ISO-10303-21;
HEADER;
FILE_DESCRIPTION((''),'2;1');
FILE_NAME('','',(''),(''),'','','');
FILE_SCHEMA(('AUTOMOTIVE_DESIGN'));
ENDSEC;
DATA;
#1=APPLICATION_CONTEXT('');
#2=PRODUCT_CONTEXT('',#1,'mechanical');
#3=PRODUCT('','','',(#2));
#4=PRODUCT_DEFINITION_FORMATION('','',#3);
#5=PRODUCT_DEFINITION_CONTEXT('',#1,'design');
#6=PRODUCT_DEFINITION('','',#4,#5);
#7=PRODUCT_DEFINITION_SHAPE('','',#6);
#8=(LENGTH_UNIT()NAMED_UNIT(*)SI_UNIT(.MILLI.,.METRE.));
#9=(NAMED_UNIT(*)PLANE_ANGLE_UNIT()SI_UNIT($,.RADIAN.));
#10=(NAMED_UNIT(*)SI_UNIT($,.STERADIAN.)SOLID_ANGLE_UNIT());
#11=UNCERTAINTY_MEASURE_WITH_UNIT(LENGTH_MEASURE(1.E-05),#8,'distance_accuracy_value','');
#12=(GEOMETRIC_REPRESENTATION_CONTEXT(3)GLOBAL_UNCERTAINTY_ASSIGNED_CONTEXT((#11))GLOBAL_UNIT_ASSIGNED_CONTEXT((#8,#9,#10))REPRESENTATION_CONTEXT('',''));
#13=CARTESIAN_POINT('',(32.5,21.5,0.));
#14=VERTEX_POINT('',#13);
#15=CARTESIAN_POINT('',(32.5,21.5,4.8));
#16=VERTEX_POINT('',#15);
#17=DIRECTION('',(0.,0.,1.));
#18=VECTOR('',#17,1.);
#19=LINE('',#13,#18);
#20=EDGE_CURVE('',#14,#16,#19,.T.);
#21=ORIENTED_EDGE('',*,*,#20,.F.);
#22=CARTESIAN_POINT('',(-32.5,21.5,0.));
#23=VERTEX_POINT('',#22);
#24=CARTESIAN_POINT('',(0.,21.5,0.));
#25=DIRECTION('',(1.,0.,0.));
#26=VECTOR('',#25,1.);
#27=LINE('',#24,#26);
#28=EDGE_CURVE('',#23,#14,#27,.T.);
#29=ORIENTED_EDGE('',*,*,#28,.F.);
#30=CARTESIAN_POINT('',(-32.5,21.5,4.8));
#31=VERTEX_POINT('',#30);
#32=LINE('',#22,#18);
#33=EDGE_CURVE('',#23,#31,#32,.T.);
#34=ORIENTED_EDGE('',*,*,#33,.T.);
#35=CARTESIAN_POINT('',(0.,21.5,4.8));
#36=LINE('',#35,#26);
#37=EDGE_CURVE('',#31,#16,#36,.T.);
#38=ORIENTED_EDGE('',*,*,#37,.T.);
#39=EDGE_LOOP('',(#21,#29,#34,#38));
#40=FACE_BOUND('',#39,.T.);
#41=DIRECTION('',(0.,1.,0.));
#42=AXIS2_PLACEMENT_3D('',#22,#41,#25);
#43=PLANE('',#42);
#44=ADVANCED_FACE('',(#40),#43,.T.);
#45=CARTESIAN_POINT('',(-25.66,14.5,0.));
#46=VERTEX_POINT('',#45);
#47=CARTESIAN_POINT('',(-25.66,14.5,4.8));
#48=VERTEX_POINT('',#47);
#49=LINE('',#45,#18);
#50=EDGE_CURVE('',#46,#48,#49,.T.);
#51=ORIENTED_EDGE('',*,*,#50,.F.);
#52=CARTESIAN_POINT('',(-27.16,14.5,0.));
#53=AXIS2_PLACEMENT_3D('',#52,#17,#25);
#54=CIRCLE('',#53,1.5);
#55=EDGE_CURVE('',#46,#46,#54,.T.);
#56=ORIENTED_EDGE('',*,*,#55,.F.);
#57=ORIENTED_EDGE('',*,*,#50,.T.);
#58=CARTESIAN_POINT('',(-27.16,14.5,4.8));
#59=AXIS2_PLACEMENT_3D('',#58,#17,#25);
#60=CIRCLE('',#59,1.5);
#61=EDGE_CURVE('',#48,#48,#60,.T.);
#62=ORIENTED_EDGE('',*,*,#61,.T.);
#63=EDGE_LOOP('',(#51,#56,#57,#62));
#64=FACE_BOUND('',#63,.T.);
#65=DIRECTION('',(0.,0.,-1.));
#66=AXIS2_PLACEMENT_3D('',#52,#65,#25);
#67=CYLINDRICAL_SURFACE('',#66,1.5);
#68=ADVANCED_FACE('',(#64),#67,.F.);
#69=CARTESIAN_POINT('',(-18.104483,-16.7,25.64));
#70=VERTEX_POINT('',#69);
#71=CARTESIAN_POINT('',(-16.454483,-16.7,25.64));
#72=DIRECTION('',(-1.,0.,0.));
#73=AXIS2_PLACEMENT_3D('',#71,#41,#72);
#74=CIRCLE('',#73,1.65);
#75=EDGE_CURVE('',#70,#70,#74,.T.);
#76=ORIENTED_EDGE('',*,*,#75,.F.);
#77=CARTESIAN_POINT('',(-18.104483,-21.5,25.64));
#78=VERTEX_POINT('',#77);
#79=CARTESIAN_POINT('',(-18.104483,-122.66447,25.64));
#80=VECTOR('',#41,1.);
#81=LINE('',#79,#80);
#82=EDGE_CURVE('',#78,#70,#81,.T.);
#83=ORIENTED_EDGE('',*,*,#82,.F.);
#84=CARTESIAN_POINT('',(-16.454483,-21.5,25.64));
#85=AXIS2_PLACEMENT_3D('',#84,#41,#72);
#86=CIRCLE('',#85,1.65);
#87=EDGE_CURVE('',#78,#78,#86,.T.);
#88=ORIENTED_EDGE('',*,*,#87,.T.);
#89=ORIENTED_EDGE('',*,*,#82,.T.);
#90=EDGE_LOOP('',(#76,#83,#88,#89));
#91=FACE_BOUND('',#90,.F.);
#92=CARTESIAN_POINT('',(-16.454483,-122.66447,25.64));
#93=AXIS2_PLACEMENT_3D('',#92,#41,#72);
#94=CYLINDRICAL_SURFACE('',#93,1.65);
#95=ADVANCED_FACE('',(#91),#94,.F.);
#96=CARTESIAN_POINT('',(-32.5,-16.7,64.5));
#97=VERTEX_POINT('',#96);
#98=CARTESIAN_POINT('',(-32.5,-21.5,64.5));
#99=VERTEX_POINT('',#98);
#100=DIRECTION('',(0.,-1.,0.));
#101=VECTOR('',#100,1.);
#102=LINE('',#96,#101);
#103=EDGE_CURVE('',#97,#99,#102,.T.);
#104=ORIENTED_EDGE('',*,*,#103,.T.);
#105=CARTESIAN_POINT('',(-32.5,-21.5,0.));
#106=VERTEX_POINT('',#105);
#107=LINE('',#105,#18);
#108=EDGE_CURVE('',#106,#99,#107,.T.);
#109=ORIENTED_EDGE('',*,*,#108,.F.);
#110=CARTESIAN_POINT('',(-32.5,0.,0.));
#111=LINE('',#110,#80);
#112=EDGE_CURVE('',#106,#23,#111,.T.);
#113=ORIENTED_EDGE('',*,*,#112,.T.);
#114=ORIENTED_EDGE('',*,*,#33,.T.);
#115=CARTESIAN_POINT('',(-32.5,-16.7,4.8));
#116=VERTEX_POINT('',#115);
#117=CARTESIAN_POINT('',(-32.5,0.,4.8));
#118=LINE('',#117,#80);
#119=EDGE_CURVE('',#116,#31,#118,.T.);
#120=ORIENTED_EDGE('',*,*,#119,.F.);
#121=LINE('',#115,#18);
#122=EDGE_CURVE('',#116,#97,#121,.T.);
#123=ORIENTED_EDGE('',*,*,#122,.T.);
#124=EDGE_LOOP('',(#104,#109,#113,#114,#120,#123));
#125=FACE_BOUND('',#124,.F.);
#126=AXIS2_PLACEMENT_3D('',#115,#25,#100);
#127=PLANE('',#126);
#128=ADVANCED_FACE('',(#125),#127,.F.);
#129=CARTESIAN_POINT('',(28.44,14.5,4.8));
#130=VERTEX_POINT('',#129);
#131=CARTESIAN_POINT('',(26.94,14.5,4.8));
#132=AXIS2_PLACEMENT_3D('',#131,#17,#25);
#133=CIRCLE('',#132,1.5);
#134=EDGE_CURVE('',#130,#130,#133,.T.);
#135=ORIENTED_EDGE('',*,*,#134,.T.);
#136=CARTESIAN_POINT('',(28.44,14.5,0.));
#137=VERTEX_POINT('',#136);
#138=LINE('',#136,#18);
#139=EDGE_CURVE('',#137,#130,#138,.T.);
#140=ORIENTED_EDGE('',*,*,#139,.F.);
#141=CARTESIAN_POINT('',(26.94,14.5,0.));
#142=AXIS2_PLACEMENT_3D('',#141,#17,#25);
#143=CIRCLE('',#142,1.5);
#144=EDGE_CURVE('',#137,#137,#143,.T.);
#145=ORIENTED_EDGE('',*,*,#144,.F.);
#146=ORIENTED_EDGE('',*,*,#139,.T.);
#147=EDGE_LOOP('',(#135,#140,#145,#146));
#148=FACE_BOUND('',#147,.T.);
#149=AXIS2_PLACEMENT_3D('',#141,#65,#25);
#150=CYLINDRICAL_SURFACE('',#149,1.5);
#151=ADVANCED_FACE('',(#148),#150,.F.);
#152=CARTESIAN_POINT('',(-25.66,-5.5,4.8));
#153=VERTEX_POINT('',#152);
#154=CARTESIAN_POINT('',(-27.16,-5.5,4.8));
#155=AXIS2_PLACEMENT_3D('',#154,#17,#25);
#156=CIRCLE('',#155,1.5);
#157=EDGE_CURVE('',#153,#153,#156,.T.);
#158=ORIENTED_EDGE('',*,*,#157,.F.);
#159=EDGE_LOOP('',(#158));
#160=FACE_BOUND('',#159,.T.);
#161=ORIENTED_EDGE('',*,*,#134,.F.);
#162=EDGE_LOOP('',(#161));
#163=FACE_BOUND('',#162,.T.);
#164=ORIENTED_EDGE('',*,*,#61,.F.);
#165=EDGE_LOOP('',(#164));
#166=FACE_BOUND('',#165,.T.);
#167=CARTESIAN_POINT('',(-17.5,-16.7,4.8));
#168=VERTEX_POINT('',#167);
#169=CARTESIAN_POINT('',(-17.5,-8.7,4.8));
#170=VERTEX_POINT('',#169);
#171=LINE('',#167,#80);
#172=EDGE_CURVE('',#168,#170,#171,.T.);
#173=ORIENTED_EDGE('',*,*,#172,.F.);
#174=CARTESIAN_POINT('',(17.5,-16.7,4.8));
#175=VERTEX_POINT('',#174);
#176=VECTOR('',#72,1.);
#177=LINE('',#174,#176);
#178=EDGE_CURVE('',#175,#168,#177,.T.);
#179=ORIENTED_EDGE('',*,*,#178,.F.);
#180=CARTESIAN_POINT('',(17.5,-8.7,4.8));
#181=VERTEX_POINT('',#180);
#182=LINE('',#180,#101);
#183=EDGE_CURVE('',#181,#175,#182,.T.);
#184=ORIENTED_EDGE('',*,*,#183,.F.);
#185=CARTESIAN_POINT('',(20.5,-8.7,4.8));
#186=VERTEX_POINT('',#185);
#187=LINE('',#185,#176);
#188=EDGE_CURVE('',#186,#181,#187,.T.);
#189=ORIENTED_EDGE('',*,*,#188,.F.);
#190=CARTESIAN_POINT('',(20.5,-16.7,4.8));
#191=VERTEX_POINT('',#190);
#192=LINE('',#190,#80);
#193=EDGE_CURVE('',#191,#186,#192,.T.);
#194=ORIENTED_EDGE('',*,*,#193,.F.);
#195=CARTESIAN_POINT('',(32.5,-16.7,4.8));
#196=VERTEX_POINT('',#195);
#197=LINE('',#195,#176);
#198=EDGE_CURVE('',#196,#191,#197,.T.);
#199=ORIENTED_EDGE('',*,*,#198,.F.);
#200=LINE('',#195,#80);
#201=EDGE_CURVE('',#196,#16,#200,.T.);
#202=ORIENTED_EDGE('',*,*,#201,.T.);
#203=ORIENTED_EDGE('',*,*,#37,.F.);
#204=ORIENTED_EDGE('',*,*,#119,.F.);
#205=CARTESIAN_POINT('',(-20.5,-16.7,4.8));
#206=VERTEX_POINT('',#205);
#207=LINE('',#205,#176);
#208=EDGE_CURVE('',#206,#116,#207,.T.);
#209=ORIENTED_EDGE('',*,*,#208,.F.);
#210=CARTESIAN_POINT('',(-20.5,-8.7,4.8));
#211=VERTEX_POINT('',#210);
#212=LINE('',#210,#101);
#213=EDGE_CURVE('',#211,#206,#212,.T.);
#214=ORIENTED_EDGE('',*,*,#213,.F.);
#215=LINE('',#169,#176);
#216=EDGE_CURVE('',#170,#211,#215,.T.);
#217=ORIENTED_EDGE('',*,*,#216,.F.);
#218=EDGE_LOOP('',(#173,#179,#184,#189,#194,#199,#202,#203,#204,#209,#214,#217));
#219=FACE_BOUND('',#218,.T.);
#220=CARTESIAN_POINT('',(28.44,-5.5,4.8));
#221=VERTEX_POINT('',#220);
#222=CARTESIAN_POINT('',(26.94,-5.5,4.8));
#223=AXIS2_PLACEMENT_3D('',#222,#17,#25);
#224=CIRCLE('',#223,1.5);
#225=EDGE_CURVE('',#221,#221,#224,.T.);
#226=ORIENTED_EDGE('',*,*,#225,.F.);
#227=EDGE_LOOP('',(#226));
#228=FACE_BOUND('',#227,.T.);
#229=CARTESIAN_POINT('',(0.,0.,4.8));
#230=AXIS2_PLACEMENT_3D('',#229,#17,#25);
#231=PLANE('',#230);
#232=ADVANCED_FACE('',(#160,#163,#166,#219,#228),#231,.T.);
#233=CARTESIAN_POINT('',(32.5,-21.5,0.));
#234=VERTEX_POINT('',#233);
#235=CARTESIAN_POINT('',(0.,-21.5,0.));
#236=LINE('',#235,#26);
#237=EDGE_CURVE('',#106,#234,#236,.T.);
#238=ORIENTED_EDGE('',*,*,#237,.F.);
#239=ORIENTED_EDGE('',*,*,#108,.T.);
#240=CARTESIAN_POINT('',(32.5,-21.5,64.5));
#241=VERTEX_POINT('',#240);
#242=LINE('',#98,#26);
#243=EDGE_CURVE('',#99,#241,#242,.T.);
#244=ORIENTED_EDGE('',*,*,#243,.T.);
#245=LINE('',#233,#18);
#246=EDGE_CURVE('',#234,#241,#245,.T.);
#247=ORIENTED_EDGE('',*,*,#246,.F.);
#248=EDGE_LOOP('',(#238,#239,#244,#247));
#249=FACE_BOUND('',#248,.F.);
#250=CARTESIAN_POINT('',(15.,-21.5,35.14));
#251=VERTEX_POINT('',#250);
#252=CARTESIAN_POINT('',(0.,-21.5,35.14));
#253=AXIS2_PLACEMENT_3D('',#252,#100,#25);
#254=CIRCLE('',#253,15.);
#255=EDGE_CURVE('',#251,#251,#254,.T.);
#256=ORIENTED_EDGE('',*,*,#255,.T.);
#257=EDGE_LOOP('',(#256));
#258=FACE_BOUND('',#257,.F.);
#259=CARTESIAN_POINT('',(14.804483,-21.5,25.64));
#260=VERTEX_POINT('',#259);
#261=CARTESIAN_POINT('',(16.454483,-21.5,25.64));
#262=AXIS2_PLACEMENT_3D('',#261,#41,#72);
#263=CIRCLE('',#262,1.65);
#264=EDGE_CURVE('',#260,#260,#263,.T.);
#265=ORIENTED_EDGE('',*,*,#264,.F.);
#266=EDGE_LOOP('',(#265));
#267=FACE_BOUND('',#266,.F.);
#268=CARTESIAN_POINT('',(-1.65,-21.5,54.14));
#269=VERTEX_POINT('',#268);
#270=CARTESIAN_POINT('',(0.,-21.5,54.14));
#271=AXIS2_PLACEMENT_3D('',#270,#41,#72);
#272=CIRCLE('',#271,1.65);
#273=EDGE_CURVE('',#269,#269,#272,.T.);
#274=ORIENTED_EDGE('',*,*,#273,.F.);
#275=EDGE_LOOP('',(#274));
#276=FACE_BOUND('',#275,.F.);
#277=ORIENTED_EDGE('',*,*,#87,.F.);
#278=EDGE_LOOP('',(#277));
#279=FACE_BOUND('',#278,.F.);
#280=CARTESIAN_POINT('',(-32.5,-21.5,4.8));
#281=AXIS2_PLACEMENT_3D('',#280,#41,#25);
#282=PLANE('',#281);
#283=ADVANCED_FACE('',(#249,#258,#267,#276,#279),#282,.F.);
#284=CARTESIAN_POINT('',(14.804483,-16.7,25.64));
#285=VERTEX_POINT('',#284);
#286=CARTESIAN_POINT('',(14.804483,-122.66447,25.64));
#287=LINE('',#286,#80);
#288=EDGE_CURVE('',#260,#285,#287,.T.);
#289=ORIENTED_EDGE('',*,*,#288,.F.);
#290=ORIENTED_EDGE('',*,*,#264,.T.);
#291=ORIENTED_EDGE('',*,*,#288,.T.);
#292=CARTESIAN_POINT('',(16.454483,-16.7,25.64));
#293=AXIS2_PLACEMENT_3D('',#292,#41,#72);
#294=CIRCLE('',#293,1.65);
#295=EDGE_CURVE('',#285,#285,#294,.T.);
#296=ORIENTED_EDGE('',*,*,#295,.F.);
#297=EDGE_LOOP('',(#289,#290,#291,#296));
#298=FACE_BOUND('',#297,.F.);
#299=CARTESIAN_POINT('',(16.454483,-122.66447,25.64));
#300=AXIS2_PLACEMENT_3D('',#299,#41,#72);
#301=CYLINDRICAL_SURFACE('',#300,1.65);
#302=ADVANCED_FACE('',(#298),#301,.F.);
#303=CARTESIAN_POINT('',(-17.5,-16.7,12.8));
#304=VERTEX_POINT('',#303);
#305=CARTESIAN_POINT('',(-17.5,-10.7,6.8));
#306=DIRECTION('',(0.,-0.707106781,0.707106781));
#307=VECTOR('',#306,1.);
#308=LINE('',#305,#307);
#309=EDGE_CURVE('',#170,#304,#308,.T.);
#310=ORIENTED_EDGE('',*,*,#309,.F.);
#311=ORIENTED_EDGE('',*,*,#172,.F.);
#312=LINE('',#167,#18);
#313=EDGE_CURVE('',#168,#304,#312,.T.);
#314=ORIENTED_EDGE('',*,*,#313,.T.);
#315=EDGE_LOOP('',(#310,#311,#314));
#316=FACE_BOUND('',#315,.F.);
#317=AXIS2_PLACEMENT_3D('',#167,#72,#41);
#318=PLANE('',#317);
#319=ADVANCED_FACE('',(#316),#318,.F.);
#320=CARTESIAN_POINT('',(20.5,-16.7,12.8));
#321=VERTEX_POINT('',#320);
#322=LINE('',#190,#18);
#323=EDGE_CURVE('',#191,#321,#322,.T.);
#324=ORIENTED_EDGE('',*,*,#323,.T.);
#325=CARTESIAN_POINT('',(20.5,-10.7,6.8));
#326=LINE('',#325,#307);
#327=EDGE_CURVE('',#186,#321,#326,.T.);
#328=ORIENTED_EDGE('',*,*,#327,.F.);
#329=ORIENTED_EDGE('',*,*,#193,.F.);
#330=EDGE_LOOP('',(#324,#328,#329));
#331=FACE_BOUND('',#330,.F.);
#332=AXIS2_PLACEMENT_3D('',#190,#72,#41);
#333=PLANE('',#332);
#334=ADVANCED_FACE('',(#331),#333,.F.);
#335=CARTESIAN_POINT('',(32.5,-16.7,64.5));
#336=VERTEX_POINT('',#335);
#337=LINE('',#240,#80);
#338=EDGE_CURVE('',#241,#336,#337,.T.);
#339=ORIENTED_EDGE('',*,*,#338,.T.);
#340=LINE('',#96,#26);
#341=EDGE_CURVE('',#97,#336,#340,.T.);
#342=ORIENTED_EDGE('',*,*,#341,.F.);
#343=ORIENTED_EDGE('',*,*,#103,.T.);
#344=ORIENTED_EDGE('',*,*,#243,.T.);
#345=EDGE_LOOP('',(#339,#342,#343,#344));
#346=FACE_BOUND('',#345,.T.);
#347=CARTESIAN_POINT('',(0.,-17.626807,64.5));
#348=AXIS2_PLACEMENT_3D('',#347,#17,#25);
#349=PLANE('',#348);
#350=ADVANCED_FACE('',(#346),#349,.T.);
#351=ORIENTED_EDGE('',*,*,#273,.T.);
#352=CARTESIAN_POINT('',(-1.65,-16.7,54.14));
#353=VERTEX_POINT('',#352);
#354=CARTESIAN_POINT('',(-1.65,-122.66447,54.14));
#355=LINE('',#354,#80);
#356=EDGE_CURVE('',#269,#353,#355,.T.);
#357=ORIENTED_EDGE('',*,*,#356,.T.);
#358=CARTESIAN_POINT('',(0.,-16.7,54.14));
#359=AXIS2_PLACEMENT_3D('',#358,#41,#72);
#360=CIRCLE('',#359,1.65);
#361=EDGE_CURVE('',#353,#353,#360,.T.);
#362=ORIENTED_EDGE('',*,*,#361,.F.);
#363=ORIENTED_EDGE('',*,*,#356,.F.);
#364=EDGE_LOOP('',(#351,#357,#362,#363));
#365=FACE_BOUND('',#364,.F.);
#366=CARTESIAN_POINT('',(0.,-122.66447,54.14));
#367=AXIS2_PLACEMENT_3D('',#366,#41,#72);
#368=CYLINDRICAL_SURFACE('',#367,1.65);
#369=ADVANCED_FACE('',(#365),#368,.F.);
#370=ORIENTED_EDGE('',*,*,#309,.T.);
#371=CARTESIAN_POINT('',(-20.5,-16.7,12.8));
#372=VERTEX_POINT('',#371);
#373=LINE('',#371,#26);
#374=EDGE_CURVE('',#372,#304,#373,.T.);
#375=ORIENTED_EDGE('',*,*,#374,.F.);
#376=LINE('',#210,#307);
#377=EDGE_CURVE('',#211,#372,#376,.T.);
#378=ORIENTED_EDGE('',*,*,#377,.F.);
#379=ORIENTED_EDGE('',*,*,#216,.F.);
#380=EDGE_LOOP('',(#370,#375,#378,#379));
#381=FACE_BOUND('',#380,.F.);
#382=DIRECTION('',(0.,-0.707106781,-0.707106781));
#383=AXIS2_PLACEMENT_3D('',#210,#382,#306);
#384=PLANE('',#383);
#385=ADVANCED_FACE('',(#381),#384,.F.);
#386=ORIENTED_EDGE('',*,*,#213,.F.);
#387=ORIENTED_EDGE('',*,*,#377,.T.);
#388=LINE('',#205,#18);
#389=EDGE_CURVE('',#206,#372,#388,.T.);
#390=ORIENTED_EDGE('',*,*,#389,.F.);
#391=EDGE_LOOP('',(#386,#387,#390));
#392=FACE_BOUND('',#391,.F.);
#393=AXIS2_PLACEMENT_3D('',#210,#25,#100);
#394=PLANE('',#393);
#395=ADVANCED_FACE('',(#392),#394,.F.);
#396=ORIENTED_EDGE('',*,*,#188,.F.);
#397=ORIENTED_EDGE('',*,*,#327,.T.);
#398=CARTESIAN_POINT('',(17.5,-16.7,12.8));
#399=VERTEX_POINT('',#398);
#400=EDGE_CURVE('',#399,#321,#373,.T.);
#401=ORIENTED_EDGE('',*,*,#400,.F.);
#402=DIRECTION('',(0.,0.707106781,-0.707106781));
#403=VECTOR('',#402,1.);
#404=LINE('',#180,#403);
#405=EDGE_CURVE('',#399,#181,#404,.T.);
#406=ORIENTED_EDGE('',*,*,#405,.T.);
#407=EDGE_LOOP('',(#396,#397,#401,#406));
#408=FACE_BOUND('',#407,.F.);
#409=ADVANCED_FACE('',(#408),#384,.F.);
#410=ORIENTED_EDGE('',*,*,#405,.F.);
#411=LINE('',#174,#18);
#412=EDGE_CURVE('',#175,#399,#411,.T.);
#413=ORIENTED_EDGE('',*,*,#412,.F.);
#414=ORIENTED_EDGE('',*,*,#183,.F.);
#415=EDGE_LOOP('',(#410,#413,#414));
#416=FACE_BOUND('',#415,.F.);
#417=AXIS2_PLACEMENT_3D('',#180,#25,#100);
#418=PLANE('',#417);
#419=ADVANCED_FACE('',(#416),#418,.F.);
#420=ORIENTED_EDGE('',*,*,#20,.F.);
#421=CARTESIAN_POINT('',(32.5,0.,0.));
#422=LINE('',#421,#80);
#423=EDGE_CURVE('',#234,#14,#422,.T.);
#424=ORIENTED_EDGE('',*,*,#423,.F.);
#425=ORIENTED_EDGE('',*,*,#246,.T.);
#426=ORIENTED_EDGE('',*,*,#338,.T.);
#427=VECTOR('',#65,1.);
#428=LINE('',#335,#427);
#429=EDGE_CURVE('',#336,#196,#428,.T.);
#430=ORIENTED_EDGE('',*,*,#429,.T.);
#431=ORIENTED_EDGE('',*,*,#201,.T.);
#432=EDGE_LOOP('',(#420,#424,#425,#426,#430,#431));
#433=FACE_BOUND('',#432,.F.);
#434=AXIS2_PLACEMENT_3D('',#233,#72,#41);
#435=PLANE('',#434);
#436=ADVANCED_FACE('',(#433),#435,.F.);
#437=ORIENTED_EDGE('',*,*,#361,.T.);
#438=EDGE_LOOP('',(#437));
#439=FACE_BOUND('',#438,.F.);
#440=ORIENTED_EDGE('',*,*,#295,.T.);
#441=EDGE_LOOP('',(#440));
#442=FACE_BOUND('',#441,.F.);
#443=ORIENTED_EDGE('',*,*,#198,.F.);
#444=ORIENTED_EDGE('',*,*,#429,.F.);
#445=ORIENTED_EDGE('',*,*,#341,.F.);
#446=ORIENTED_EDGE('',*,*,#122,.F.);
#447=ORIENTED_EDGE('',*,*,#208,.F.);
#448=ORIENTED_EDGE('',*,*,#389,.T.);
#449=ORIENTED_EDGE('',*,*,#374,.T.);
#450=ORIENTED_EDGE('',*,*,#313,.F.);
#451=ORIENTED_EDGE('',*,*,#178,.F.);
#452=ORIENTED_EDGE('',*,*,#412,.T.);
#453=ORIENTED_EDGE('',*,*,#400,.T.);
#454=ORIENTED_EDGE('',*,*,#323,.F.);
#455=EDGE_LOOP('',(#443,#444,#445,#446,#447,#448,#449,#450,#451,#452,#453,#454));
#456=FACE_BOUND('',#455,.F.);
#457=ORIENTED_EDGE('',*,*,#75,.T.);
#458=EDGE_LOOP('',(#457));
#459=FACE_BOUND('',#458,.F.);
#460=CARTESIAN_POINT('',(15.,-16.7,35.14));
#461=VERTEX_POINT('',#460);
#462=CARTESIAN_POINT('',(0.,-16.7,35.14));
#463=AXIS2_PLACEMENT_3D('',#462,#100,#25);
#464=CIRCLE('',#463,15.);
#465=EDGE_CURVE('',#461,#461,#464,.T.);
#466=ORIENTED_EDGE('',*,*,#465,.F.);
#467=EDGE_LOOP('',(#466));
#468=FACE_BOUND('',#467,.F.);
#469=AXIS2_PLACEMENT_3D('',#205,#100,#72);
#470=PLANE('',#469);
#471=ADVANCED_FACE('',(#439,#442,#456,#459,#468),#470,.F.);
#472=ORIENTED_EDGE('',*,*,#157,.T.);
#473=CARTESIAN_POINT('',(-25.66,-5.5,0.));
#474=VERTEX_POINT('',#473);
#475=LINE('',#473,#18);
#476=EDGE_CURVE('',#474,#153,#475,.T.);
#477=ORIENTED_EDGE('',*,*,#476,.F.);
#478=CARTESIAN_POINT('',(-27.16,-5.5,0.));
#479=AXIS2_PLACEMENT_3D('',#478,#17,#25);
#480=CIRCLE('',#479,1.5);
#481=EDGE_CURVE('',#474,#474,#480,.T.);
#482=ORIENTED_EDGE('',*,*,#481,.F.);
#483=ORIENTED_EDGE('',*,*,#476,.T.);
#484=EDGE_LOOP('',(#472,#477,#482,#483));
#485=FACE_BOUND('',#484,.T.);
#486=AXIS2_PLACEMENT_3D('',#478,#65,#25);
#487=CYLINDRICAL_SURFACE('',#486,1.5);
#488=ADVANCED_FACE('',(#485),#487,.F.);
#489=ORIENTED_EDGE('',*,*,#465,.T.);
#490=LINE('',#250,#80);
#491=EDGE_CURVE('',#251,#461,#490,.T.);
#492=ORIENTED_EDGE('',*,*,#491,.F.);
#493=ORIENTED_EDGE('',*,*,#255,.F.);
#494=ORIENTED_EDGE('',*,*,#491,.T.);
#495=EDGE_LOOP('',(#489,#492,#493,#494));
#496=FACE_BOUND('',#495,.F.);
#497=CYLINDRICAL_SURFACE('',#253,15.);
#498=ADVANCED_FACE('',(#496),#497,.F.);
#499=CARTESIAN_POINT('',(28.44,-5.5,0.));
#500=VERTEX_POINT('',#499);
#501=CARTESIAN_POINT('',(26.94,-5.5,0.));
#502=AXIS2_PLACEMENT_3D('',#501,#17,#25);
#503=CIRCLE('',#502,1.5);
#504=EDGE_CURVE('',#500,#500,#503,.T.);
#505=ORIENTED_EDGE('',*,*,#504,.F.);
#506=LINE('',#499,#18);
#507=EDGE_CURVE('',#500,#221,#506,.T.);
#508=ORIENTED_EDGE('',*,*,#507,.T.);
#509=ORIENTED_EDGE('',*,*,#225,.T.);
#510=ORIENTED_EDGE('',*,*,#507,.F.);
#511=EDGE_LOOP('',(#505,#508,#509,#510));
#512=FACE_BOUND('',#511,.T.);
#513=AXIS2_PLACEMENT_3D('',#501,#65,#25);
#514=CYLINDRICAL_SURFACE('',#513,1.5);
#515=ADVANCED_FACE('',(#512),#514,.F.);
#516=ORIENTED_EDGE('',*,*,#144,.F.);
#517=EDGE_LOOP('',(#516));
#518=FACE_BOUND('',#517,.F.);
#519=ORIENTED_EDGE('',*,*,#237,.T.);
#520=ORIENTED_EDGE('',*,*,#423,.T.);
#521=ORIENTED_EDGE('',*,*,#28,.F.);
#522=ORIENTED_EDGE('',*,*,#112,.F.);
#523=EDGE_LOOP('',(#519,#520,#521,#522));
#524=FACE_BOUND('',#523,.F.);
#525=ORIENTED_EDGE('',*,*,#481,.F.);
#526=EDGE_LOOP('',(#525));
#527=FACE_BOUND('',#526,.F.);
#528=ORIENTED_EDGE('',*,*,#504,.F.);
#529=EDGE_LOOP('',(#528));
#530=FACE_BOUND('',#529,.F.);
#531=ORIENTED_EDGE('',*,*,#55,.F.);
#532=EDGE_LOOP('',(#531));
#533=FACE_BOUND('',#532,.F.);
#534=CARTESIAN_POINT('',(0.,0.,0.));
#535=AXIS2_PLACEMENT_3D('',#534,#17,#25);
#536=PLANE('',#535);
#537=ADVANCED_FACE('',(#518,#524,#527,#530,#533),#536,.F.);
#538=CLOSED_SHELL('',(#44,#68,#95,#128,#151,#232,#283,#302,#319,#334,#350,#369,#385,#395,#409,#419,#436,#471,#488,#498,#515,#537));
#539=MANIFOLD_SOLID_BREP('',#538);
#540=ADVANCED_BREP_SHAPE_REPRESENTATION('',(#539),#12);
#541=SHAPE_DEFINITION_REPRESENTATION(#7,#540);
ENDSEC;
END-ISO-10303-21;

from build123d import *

# Parameters (mm, degrees)
F0_W     = 65
F0_H     = 43
F0_R     = 1.5
F1_DEPTH = 4.8
F3_DEPTH = 59.7
F5_DEPTH = 53.001
F6_R     = 15
F7_DEPTH = 43.001
F8_D     = 3.3


with BuildPart() as f1:
    # F0 (on Top) → F1 (new body)
    with BuildSketch(Plane.XY):
        Rectangle(F0_W, F0_H)
        with Locations((-27.16, -5.5)):
            Circle(F0_R, mode=Mode.SUBTRACT)
        with Locations((26.94, -5.5)):
            Circle(F0_R, mode=Mode.SUBTRACT)
        with Locations((-27.16, 14.5)):
            Circle(F0_R, mode=Mode.SUBTRACT)
        with Locations((26.94, 14.5)):
            Circle(F0_R, mode=Mode.SUBTRACT)
    extrude(amount=F1_DEPTH)

    # F2 (on face) → F3 (join)
    with BuildSketch(Plane.XY.offset(4.8)):
        Polygon((-20.5, -16.7), (-32.5, -16.7), (-32.5, -21.5), (32.5, -21.5), (32.5, -16.7), (20.5, -16.7), (20.5, -8.7), (17.5, -8.7), (17.5, -16.7), (-17.5, -16.7), (-17.5, -8.7), (-20.5, -8.7), align=None)
    extrude(amount=F3_DEPTH)

    # F4 (on face) → F5 (cut, through all)
    with BuildSketch(Plane(origin=(-20.5, 0, 0), x_dir=(0, -1, 0), z_dir=(-1, 0, 0))):
        Polygon((16.7, 12.8), (16.7, 64.5), (8.7, 64.5), (8.7, 4.8), align=None)
    extrude(amount=-F5_DEPTH, mode=Mode.SUBTRACT)

    # F6 (on face) → F7 (cut, through all)
    with BuildSketch(Plane.XZ.offset(21.5)):
        with Locations((0, 35.14)):
            Circle(F6_R)
    extrude(amount=-F7_DEPTH, mode=Mode.SUBTRACT)

    # F8 (through all)
    with Locations(Plane.XZ.offset(21.5)):
        with Locations((0, 54.14), (-16.454483, 25.64), (16.454483, 25.64)):
            Hole(F8_D / 2)


solid = f1.part
